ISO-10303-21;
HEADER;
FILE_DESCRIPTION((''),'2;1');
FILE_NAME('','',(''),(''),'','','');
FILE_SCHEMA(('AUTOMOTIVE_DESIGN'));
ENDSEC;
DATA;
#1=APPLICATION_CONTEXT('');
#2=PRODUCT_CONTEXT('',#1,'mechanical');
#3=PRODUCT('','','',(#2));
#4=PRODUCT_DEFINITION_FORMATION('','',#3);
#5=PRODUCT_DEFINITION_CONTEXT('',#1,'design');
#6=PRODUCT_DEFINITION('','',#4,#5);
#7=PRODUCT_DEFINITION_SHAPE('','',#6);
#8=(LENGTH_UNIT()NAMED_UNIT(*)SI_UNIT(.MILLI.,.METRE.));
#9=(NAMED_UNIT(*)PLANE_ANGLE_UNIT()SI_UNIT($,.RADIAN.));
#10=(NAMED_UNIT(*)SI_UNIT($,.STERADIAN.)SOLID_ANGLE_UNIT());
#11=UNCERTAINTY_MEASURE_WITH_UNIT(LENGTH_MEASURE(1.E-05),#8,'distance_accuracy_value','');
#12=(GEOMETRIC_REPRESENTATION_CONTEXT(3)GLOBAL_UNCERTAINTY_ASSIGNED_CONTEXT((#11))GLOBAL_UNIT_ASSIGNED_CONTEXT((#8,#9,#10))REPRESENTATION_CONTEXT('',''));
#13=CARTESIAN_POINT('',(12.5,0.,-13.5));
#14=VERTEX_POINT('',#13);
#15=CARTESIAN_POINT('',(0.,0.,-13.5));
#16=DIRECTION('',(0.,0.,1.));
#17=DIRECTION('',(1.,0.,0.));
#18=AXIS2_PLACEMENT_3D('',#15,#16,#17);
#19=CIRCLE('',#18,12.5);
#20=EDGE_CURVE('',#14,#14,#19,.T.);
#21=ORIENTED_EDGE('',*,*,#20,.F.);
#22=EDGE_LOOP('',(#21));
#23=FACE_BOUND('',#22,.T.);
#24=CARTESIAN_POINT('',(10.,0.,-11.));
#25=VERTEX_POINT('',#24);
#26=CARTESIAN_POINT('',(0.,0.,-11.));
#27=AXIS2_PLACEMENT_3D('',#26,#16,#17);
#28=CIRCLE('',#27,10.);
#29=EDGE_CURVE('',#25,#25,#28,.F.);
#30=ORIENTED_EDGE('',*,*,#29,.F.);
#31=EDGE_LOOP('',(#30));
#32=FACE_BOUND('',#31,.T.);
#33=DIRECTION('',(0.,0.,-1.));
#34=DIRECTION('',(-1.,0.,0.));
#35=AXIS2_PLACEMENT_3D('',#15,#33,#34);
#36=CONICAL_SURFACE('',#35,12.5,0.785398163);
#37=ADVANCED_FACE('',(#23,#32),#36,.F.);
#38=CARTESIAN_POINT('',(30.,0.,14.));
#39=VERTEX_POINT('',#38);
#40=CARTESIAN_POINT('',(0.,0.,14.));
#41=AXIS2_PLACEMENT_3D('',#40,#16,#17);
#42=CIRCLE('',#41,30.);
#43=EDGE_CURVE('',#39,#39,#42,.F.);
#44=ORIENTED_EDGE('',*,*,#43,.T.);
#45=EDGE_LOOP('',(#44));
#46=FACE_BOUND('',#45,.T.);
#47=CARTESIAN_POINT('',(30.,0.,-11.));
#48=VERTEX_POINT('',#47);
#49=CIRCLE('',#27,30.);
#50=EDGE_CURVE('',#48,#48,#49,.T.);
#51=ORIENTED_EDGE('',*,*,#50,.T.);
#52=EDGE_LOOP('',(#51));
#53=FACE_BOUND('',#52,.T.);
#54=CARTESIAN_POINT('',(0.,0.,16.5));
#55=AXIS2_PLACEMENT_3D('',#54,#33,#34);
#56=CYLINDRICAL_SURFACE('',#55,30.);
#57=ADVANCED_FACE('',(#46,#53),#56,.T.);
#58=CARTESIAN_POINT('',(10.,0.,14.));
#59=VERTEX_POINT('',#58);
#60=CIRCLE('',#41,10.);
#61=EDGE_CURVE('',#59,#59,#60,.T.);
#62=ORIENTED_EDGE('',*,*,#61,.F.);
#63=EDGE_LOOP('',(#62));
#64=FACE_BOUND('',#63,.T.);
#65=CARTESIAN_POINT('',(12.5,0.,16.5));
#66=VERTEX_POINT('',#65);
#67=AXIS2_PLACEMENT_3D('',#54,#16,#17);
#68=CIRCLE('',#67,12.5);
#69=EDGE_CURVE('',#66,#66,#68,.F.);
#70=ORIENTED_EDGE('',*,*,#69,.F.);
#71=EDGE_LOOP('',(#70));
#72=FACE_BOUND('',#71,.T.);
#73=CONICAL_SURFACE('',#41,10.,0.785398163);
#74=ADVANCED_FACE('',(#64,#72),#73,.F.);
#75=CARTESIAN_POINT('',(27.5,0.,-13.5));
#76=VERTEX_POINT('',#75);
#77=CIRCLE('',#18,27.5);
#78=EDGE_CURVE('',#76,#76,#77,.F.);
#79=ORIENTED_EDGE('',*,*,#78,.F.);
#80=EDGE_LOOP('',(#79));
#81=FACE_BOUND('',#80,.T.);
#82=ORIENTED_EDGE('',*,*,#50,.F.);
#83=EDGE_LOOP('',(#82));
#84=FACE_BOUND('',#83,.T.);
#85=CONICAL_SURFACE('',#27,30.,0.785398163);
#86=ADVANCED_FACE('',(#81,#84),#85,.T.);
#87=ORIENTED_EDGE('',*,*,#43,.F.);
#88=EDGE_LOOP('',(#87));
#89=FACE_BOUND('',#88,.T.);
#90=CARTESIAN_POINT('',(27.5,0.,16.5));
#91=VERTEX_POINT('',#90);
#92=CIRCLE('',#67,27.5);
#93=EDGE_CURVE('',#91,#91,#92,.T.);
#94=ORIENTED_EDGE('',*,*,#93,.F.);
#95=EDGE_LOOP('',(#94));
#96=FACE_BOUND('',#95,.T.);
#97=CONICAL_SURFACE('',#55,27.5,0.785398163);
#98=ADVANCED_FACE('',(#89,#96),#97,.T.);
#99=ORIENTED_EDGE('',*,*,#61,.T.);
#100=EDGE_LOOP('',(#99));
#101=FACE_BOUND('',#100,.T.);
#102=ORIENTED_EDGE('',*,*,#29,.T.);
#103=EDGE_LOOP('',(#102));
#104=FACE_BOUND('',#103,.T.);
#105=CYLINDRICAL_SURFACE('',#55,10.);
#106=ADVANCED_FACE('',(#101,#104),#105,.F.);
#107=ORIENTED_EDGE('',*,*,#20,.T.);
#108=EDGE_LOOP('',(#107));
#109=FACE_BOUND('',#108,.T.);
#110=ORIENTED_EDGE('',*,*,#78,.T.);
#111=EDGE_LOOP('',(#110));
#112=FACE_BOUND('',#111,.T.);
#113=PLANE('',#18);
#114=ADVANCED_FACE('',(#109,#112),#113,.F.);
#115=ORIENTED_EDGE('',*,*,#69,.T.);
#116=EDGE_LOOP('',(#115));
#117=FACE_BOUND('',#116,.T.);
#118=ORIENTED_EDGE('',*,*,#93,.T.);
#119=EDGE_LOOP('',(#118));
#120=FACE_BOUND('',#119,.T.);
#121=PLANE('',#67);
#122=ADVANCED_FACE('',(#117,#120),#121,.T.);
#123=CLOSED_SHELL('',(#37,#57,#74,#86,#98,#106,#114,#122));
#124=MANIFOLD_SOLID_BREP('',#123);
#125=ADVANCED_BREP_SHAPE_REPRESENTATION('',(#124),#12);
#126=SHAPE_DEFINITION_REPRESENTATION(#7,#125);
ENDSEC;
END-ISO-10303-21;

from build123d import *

# Parameters (mm, degrees)
SKETCH1_R           = 3
SKETCH1_R_2         = 1
EXTRUDE_THIN1_DEPTH = 3
CHAMFER1_SIZE       = 0.25
SCALE1_SCALE        = 10


with BuildPart() as part:
    # Sketch1 → Extrude-Thin1 (new body)
    with BuildSketch(Plane.XY):
        Circle(SKETCH1_R)
        Circle(SKETCH1_R_2, mode=Mode.SUBTRACT)
    extrude(amount=EXTRUDE_THIN1_DEPTH)

    # Chamfer1
    chamfer1_edges = [part.edges().sort_by_distance(p)[0] for p in [
        (-3, 0, 0),
        (-1, 0, 0),
        (-3, 0, 3),
        (-1, 0, 3),
    ]]
    chamfer(chamfer1_edges, length=CHAMFER1_SIZE)


with BuildPart() as part_1:
    # Scale1: scaled about (0, 0, 1.5)
    add(part.part.scale(SCALE1_SCALE).moved(Location((0, 0, -13.5))))


solid = part_1.part
